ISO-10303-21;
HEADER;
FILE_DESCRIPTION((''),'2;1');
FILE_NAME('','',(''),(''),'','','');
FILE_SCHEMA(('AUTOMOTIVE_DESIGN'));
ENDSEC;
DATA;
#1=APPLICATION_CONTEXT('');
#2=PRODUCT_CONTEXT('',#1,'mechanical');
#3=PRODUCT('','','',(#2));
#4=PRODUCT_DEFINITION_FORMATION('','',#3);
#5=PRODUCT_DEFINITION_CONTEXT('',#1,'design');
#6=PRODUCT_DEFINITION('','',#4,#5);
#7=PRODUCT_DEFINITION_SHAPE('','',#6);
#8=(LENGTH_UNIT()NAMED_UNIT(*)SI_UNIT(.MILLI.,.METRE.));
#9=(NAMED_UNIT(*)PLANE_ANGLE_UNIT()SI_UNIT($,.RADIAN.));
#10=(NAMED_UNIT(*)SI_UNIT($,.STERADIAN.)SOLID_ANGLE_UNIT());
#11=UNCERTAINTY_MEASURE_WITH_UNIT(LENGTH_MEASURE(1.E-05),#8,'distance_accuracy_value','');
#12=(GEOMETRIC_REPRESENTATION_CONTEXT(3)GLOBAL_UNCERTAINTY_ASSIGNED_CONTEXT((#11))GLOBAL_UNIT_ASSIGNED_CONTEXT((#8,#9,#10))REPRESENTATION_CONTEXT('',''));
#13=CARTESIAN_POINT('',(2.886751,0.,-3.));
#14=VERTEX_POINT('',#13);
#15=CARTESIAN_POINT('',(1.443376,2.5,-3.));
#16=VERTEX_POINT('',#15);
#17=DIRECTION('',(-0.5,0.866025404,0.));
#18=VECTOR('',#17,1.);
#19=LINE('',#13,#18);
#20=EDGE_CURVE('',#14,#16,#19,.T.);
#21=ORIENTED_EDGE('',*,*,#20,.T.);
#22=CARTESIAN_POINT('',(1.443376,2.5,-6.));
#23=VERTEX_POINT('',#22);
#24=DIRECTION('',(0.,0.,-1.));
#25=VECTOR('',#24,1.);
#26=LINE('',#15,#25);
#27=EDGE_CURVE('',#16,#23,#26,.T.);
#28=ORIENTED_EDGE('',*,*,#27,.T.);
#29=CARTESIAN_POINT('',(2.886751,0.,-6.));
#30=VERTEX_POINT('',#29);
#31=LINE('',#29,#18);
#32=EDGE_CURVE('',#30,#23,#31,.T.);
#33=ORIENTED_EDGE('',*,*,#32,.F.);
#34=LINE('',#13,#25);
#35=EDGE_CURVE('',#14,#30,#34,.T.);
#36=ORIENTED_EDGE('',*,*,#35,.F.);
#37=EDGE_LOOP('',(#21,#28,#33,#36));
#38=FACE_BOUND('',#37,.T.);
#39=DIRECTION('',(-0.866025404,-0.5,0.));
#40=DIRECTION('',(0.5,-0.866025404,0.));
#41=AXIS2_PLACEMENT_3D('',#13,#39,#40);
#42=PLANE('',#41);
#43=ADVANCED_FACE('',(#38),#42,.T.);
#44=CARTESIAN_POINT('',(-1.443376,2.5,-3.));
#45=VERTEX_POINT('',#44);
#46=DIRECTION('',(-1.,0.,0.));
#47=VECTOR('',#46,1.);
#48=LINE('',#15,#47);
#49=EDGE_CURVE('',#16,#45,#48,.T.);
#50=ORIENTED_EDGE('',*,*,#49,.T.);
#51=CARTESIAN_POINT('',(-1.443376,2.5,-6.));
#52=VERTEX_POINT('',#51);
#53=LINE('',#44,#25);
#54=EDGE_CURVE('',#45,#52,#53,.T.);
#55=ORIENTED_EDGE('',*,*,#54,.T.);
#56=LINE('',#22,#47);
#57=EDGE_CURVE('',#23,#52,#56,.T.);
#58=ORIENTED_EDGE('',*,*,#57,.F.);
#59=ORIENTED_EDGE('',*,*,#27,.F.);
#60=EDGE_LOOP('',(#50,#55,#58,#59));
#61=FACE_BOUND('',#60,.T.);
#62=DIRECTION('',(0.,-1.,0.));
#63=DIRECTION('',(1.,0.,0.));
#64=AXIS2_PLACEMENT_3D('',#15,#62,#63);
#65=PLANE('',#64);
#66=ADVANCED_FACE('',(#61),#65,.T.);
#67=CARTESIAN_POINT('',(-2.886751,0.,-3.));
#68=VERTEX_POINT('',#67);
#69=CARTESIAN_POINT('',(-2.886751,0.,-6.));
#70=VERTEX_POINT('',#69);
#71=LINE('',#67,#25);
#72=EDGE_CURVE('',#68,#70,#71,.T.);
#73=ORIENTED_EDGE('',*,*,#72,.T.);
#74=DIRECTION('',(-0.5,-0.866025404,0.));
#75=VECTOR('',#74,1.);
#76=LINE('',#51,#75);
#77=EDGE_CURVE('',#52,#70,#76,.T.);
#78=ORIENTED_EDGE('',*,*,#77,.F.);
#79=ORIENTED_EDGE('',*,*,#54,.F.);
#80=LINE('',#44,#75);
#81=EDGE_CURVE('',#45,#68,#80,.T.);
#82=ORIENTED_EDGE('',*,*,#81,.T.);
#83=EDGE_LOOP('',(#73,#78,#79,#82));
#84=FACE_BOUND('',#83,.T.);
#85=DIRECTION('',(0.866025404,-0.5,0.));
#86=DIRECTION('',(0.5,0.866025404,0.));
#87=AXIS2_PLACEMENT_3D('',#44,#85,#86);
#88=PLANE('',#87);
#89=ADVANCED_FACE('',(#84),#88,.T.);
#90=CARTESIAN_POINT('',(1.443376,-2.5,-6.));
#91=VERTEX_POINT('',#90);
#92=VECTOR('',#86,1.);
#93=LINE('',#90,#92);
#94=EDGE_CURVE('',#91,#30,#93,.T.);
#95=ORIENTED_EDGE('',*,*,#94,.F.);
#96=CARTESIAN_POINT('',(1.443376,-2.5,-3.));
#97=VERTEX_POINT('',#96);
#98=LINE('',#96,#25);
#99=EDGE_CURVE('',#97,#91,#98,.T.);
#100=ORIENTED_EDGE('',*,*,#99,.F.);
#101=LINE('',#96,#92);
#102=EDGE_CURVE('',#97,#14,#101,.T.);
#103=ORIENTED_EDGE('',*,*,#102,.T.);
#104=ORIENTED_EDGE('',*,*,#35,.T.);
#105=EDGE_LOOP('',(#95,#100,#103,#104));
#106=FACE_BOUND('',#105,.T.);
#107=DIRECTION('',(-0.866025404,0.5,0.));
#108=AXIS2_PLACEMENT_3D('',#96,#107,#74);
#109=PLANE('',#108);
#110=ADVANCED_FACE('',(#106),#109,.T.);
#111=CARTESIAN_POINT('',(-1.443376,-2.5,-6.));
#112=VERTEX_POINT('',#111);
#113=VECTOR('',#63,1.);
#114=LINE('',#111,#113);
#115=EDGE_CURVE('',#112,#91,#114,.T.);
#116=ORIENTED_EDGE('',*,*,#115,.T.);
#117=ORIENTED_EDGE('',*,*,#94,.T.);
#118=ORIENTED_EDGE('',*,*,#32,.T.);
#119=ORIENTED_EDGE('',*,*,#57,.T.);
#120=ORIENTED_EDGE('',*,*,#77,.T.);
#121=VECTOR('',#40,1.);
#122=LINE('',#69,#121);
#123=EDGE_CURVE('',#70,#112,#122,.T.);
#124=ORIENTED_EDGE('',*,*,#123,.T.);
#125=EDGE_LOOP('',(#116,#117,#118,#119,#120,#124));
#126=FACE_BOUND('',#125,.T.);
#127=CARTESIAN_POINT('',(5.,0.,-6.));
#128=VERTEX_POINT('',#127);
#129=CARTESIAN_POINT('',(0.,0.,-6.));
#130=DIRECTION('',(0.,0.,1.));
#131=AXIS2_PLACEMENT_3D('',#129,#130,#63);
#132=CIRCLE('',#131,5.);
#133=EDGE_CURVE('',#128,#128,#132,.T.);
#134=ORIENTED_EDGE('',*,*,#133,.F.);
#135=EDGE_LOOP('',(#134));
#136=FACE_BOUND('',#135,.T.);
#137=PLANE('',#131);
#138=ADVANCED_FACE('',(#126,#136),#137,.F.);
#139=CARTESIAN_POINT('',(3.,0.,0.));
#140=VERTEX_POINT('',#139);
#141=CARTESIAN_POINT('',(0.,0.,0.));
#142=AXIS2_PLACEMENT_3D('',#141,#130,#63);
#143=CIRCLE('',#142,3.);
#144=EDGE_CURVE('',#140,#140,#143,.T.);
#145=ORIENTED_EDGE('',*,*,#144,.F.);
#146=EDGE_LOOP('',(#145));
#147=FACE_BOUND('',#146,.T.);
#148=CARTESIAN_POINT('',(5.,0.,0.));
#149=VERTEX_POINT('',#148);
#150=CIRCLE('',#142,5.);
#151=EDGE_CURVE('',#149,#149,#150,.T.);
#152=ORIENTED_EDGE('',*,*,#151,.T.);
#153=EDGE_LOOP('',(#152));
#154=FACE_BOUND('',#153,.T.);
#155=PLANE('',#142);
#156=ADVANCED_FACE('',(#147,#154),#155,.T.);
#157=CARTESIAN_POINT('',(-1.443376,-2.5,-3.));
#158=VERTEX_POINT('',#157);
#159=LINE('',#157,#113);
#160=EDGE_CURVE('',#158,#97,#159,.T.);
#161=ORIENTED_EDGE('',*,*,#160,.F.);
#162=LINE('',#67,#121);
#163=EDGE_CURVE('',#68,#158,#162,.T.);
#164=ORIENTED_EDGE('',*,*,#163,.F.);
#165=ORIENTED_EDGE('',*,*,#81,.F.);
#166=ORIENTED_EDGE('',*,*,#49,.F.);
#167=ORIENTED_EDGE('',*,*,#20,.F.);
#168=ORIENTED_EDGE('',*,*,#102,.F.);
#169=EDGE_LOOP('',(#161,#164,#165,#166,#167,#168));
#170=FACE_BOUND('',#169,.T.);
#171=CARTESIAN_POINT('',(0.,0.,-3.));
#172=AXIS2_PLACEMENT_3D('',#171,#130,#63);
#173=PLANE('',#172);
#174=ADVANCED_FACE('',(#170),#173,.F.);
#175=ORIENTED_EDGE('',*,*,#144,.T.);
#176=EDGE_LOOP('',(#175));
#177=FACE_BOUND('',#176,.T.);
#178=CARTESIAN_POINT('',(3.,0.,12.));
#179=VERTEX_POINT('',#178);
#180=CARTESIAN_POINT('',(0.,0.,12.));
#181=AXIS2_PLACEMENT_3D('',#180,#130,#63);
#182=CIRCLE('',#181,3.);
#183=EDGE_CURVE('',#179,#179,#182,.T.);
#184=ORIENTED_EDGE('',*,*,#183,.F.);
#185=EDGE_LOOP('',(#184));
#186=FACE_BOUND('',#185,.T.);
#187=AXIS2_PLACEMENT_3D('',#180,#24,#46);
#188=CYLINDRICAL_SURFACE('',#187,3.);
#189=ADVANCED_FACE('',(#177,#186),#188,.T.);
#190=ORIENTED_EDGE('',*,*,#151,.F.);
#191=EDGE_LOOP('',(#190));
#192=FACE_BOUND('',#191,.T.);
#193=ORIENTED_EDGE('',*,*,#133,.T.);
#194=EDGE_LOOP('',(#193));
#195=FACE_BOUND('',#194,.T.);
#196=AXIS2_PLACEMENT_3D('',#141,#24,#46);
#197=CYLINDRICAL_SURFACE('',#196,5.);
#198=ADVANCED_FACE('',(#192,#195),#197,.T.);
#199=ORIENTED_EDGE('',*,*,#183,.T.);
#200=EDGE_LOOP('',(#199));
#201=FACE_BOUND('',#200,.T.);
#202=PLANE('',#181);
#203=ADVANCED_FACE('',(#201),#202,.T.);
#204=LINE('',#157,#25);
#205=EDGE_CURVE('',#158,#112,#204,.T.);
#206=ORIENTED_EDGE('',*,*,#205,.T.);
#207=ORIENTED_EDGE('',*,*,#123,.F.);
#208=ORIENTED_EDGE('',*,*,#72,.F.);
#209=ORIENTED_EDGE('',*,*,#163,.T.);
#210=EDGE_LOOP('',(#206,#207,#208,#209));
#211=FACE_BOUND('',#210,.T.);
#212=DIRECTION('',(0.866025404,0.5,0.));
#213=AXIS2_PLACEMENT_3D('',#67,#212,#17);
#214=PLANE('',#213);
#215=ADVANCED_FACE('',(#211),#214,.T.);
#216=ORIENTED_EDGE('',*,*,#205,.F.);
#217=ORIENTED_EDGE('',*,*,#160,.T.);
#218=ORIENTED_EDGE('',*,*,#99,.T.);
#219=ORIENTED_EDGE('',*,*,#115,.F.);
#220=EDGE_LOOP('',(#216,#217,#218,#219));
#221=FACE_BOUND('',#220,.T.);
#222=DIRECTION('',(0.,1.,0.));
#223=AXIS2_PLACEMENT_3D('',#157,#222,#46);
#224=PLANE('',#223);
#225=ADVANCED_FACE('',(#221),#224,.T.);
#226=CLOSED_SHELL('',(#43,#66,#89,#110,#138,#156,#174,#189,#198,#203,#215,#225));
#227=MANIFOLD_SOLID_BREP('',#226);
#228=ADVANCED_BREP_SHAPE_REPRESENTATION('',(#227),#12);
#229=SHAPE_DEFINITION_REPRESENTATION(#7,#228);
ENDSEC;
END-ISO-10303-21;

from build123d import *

# Parameters (mm, degrees)
CABEZA_START            = -6
CROQUIS1_R              = 5
CABEZA_DEPTH            = 6
CROQUIS2_R              = 3
CUERPO_DEPTH            = 12
HEXAGONO_INTERIOR_START = -6
HEXAGONO_INTERIOR_DEPTH = 3


with BuildPart() as part:
    # Croquis1 → Cabeza (new body)
    with BuildSketch(Plane.XY.offset(CABEZA_START)):
        Circle(CROQUIS1_R)
    extrude(amount=CABEZA_DEPTH)

    # Croquis2 → Cuerpo (add)
    with BuildSketch(Plane.XY):
        Circle(CROQUIS2_R)
    extrude(amount=CUERPO_DEPTH)

    # Croquis3 → Hexagono_interior (cut)
    with BuildSketch(Plane.XY.offset(HEXAGONO_INTERIOR_START)):
        Polygon((2.886751346, 0), (1.443375673, 2.5), (-1.443375673, 2.5), (-2.886751346, 0), (-1.443375673, -2.5), (1.443375673, -2.5), align=None)
    extrude(amount=HEXAGONO_INTERIOR_DEPTH, mode=Mode.SUBTRACT)


solid = part.part
